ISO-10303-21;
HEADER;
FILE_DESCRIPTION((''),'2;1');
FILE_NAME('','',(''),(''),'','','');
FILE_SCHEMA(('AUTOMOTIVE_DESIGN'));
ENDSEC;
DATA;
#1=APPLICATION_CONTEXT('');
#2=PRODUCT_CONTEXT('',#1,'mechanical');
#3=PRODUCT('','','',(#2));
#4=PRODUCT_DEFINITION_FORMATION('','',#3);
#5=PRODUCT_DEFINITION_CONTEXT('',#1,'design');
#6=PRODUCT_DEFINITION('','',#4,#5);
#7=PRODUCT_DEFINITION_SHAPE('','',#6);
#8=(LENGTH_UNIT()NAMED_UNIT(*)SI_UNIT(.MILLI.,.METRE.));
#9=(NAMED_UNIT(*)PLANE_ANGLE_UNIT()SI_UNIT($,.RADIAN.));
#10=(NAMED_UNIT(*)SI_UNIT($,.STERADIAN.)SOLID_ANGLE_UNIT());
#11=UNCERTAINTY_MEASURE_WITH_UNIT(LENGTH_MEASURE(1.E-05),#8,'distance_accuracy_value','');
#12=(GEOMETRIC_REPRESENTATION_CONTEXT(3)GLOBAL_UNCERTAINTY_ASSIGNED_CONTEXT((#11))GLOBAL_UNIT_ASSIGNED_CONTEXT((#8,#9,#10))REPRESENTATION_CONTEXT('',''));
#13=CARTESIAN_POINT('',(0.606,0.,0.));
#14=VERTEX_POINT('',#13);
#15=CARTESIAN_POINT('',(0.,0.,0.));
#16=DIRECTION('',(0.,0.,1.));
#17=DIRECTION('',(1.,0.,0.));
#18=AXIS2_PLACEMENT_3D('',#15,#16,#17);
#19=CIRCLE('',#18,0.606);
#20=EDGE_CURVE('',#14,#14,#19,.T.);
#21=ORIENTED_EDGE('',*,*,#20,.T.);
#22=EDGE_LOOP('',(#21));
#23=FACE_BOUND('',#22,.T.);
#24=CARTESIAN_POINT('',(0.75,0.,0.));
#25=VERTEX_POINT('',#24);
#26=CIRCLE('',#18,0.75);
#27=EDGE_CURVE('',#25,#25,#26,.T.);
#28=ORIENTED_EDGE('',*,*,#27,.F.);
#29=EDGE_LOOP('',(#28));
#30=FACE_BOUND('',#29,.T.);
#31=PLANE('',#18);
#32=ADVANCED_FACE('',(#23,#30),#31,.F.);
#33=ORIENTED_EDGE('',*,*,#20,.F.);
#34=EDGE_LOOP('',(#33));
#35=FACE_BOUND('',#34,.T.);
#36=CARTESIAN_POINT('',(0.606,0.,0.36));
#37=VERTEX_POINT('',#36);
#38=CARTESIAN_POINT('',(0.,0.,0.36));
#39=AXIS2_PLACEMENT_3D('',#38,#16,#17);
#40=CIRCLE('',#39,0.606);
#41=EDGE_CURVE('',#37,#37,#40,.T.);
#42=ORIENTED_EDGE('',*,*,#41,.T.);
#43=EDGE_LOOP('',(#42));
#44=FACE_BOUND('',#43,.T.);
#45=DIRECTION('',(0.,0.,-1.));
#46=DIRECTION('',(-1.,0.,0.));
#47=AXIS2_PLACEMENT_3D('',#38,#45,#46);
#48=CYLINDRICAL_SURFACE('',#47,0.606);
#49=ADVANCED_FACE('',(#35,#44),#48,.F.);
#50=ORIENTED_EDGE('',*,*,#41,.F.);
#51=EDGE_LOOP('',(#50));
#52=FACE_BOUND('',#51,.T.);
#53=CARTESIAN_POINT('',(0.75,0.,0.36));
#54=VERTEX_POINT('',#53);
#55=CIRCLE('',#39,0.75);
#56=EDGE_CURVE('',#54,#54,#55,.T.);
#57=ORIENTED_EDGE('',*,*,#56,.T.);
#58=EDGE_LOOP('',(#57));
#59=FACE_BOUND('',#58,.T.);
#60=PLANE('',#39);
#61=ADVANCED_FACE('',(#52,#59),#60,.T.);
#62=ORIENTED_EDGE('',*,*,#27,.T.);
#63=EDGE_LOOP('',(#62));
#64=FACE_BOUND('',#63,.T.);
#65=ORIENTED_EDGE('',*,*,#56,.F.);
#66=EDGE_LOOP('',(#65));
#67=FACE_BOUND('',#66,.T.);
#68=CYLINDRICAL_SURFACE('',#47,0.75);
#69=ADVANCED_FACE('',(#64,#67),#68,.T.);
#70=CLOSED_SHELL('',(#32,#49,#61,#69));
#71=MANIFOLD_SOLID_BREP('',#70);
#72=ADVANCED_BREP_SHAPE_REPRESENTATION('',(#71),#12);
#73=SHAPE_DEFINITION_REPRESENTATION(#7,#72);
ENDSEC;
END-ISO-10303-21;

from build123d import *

# Parameters (mm, degrees)
SKETCH_1_R      = 0.75
SKETCH_1_R_2    = 0.606
EXTRUDE_1_DEPTH = 0.36


with BuildPart() as part:
    # Эскиз1 → Бобышка-Вытянуть1 (new body)
    with BuildSketch(Plane.XY):
        Circle(SKETCH_1_R)
        Circle(SKETCH_1_R_2, mode=Mode.SUBTRACT)
    extrude(amount=EXTRUDE_1_DEPTH)


solid = part.part
